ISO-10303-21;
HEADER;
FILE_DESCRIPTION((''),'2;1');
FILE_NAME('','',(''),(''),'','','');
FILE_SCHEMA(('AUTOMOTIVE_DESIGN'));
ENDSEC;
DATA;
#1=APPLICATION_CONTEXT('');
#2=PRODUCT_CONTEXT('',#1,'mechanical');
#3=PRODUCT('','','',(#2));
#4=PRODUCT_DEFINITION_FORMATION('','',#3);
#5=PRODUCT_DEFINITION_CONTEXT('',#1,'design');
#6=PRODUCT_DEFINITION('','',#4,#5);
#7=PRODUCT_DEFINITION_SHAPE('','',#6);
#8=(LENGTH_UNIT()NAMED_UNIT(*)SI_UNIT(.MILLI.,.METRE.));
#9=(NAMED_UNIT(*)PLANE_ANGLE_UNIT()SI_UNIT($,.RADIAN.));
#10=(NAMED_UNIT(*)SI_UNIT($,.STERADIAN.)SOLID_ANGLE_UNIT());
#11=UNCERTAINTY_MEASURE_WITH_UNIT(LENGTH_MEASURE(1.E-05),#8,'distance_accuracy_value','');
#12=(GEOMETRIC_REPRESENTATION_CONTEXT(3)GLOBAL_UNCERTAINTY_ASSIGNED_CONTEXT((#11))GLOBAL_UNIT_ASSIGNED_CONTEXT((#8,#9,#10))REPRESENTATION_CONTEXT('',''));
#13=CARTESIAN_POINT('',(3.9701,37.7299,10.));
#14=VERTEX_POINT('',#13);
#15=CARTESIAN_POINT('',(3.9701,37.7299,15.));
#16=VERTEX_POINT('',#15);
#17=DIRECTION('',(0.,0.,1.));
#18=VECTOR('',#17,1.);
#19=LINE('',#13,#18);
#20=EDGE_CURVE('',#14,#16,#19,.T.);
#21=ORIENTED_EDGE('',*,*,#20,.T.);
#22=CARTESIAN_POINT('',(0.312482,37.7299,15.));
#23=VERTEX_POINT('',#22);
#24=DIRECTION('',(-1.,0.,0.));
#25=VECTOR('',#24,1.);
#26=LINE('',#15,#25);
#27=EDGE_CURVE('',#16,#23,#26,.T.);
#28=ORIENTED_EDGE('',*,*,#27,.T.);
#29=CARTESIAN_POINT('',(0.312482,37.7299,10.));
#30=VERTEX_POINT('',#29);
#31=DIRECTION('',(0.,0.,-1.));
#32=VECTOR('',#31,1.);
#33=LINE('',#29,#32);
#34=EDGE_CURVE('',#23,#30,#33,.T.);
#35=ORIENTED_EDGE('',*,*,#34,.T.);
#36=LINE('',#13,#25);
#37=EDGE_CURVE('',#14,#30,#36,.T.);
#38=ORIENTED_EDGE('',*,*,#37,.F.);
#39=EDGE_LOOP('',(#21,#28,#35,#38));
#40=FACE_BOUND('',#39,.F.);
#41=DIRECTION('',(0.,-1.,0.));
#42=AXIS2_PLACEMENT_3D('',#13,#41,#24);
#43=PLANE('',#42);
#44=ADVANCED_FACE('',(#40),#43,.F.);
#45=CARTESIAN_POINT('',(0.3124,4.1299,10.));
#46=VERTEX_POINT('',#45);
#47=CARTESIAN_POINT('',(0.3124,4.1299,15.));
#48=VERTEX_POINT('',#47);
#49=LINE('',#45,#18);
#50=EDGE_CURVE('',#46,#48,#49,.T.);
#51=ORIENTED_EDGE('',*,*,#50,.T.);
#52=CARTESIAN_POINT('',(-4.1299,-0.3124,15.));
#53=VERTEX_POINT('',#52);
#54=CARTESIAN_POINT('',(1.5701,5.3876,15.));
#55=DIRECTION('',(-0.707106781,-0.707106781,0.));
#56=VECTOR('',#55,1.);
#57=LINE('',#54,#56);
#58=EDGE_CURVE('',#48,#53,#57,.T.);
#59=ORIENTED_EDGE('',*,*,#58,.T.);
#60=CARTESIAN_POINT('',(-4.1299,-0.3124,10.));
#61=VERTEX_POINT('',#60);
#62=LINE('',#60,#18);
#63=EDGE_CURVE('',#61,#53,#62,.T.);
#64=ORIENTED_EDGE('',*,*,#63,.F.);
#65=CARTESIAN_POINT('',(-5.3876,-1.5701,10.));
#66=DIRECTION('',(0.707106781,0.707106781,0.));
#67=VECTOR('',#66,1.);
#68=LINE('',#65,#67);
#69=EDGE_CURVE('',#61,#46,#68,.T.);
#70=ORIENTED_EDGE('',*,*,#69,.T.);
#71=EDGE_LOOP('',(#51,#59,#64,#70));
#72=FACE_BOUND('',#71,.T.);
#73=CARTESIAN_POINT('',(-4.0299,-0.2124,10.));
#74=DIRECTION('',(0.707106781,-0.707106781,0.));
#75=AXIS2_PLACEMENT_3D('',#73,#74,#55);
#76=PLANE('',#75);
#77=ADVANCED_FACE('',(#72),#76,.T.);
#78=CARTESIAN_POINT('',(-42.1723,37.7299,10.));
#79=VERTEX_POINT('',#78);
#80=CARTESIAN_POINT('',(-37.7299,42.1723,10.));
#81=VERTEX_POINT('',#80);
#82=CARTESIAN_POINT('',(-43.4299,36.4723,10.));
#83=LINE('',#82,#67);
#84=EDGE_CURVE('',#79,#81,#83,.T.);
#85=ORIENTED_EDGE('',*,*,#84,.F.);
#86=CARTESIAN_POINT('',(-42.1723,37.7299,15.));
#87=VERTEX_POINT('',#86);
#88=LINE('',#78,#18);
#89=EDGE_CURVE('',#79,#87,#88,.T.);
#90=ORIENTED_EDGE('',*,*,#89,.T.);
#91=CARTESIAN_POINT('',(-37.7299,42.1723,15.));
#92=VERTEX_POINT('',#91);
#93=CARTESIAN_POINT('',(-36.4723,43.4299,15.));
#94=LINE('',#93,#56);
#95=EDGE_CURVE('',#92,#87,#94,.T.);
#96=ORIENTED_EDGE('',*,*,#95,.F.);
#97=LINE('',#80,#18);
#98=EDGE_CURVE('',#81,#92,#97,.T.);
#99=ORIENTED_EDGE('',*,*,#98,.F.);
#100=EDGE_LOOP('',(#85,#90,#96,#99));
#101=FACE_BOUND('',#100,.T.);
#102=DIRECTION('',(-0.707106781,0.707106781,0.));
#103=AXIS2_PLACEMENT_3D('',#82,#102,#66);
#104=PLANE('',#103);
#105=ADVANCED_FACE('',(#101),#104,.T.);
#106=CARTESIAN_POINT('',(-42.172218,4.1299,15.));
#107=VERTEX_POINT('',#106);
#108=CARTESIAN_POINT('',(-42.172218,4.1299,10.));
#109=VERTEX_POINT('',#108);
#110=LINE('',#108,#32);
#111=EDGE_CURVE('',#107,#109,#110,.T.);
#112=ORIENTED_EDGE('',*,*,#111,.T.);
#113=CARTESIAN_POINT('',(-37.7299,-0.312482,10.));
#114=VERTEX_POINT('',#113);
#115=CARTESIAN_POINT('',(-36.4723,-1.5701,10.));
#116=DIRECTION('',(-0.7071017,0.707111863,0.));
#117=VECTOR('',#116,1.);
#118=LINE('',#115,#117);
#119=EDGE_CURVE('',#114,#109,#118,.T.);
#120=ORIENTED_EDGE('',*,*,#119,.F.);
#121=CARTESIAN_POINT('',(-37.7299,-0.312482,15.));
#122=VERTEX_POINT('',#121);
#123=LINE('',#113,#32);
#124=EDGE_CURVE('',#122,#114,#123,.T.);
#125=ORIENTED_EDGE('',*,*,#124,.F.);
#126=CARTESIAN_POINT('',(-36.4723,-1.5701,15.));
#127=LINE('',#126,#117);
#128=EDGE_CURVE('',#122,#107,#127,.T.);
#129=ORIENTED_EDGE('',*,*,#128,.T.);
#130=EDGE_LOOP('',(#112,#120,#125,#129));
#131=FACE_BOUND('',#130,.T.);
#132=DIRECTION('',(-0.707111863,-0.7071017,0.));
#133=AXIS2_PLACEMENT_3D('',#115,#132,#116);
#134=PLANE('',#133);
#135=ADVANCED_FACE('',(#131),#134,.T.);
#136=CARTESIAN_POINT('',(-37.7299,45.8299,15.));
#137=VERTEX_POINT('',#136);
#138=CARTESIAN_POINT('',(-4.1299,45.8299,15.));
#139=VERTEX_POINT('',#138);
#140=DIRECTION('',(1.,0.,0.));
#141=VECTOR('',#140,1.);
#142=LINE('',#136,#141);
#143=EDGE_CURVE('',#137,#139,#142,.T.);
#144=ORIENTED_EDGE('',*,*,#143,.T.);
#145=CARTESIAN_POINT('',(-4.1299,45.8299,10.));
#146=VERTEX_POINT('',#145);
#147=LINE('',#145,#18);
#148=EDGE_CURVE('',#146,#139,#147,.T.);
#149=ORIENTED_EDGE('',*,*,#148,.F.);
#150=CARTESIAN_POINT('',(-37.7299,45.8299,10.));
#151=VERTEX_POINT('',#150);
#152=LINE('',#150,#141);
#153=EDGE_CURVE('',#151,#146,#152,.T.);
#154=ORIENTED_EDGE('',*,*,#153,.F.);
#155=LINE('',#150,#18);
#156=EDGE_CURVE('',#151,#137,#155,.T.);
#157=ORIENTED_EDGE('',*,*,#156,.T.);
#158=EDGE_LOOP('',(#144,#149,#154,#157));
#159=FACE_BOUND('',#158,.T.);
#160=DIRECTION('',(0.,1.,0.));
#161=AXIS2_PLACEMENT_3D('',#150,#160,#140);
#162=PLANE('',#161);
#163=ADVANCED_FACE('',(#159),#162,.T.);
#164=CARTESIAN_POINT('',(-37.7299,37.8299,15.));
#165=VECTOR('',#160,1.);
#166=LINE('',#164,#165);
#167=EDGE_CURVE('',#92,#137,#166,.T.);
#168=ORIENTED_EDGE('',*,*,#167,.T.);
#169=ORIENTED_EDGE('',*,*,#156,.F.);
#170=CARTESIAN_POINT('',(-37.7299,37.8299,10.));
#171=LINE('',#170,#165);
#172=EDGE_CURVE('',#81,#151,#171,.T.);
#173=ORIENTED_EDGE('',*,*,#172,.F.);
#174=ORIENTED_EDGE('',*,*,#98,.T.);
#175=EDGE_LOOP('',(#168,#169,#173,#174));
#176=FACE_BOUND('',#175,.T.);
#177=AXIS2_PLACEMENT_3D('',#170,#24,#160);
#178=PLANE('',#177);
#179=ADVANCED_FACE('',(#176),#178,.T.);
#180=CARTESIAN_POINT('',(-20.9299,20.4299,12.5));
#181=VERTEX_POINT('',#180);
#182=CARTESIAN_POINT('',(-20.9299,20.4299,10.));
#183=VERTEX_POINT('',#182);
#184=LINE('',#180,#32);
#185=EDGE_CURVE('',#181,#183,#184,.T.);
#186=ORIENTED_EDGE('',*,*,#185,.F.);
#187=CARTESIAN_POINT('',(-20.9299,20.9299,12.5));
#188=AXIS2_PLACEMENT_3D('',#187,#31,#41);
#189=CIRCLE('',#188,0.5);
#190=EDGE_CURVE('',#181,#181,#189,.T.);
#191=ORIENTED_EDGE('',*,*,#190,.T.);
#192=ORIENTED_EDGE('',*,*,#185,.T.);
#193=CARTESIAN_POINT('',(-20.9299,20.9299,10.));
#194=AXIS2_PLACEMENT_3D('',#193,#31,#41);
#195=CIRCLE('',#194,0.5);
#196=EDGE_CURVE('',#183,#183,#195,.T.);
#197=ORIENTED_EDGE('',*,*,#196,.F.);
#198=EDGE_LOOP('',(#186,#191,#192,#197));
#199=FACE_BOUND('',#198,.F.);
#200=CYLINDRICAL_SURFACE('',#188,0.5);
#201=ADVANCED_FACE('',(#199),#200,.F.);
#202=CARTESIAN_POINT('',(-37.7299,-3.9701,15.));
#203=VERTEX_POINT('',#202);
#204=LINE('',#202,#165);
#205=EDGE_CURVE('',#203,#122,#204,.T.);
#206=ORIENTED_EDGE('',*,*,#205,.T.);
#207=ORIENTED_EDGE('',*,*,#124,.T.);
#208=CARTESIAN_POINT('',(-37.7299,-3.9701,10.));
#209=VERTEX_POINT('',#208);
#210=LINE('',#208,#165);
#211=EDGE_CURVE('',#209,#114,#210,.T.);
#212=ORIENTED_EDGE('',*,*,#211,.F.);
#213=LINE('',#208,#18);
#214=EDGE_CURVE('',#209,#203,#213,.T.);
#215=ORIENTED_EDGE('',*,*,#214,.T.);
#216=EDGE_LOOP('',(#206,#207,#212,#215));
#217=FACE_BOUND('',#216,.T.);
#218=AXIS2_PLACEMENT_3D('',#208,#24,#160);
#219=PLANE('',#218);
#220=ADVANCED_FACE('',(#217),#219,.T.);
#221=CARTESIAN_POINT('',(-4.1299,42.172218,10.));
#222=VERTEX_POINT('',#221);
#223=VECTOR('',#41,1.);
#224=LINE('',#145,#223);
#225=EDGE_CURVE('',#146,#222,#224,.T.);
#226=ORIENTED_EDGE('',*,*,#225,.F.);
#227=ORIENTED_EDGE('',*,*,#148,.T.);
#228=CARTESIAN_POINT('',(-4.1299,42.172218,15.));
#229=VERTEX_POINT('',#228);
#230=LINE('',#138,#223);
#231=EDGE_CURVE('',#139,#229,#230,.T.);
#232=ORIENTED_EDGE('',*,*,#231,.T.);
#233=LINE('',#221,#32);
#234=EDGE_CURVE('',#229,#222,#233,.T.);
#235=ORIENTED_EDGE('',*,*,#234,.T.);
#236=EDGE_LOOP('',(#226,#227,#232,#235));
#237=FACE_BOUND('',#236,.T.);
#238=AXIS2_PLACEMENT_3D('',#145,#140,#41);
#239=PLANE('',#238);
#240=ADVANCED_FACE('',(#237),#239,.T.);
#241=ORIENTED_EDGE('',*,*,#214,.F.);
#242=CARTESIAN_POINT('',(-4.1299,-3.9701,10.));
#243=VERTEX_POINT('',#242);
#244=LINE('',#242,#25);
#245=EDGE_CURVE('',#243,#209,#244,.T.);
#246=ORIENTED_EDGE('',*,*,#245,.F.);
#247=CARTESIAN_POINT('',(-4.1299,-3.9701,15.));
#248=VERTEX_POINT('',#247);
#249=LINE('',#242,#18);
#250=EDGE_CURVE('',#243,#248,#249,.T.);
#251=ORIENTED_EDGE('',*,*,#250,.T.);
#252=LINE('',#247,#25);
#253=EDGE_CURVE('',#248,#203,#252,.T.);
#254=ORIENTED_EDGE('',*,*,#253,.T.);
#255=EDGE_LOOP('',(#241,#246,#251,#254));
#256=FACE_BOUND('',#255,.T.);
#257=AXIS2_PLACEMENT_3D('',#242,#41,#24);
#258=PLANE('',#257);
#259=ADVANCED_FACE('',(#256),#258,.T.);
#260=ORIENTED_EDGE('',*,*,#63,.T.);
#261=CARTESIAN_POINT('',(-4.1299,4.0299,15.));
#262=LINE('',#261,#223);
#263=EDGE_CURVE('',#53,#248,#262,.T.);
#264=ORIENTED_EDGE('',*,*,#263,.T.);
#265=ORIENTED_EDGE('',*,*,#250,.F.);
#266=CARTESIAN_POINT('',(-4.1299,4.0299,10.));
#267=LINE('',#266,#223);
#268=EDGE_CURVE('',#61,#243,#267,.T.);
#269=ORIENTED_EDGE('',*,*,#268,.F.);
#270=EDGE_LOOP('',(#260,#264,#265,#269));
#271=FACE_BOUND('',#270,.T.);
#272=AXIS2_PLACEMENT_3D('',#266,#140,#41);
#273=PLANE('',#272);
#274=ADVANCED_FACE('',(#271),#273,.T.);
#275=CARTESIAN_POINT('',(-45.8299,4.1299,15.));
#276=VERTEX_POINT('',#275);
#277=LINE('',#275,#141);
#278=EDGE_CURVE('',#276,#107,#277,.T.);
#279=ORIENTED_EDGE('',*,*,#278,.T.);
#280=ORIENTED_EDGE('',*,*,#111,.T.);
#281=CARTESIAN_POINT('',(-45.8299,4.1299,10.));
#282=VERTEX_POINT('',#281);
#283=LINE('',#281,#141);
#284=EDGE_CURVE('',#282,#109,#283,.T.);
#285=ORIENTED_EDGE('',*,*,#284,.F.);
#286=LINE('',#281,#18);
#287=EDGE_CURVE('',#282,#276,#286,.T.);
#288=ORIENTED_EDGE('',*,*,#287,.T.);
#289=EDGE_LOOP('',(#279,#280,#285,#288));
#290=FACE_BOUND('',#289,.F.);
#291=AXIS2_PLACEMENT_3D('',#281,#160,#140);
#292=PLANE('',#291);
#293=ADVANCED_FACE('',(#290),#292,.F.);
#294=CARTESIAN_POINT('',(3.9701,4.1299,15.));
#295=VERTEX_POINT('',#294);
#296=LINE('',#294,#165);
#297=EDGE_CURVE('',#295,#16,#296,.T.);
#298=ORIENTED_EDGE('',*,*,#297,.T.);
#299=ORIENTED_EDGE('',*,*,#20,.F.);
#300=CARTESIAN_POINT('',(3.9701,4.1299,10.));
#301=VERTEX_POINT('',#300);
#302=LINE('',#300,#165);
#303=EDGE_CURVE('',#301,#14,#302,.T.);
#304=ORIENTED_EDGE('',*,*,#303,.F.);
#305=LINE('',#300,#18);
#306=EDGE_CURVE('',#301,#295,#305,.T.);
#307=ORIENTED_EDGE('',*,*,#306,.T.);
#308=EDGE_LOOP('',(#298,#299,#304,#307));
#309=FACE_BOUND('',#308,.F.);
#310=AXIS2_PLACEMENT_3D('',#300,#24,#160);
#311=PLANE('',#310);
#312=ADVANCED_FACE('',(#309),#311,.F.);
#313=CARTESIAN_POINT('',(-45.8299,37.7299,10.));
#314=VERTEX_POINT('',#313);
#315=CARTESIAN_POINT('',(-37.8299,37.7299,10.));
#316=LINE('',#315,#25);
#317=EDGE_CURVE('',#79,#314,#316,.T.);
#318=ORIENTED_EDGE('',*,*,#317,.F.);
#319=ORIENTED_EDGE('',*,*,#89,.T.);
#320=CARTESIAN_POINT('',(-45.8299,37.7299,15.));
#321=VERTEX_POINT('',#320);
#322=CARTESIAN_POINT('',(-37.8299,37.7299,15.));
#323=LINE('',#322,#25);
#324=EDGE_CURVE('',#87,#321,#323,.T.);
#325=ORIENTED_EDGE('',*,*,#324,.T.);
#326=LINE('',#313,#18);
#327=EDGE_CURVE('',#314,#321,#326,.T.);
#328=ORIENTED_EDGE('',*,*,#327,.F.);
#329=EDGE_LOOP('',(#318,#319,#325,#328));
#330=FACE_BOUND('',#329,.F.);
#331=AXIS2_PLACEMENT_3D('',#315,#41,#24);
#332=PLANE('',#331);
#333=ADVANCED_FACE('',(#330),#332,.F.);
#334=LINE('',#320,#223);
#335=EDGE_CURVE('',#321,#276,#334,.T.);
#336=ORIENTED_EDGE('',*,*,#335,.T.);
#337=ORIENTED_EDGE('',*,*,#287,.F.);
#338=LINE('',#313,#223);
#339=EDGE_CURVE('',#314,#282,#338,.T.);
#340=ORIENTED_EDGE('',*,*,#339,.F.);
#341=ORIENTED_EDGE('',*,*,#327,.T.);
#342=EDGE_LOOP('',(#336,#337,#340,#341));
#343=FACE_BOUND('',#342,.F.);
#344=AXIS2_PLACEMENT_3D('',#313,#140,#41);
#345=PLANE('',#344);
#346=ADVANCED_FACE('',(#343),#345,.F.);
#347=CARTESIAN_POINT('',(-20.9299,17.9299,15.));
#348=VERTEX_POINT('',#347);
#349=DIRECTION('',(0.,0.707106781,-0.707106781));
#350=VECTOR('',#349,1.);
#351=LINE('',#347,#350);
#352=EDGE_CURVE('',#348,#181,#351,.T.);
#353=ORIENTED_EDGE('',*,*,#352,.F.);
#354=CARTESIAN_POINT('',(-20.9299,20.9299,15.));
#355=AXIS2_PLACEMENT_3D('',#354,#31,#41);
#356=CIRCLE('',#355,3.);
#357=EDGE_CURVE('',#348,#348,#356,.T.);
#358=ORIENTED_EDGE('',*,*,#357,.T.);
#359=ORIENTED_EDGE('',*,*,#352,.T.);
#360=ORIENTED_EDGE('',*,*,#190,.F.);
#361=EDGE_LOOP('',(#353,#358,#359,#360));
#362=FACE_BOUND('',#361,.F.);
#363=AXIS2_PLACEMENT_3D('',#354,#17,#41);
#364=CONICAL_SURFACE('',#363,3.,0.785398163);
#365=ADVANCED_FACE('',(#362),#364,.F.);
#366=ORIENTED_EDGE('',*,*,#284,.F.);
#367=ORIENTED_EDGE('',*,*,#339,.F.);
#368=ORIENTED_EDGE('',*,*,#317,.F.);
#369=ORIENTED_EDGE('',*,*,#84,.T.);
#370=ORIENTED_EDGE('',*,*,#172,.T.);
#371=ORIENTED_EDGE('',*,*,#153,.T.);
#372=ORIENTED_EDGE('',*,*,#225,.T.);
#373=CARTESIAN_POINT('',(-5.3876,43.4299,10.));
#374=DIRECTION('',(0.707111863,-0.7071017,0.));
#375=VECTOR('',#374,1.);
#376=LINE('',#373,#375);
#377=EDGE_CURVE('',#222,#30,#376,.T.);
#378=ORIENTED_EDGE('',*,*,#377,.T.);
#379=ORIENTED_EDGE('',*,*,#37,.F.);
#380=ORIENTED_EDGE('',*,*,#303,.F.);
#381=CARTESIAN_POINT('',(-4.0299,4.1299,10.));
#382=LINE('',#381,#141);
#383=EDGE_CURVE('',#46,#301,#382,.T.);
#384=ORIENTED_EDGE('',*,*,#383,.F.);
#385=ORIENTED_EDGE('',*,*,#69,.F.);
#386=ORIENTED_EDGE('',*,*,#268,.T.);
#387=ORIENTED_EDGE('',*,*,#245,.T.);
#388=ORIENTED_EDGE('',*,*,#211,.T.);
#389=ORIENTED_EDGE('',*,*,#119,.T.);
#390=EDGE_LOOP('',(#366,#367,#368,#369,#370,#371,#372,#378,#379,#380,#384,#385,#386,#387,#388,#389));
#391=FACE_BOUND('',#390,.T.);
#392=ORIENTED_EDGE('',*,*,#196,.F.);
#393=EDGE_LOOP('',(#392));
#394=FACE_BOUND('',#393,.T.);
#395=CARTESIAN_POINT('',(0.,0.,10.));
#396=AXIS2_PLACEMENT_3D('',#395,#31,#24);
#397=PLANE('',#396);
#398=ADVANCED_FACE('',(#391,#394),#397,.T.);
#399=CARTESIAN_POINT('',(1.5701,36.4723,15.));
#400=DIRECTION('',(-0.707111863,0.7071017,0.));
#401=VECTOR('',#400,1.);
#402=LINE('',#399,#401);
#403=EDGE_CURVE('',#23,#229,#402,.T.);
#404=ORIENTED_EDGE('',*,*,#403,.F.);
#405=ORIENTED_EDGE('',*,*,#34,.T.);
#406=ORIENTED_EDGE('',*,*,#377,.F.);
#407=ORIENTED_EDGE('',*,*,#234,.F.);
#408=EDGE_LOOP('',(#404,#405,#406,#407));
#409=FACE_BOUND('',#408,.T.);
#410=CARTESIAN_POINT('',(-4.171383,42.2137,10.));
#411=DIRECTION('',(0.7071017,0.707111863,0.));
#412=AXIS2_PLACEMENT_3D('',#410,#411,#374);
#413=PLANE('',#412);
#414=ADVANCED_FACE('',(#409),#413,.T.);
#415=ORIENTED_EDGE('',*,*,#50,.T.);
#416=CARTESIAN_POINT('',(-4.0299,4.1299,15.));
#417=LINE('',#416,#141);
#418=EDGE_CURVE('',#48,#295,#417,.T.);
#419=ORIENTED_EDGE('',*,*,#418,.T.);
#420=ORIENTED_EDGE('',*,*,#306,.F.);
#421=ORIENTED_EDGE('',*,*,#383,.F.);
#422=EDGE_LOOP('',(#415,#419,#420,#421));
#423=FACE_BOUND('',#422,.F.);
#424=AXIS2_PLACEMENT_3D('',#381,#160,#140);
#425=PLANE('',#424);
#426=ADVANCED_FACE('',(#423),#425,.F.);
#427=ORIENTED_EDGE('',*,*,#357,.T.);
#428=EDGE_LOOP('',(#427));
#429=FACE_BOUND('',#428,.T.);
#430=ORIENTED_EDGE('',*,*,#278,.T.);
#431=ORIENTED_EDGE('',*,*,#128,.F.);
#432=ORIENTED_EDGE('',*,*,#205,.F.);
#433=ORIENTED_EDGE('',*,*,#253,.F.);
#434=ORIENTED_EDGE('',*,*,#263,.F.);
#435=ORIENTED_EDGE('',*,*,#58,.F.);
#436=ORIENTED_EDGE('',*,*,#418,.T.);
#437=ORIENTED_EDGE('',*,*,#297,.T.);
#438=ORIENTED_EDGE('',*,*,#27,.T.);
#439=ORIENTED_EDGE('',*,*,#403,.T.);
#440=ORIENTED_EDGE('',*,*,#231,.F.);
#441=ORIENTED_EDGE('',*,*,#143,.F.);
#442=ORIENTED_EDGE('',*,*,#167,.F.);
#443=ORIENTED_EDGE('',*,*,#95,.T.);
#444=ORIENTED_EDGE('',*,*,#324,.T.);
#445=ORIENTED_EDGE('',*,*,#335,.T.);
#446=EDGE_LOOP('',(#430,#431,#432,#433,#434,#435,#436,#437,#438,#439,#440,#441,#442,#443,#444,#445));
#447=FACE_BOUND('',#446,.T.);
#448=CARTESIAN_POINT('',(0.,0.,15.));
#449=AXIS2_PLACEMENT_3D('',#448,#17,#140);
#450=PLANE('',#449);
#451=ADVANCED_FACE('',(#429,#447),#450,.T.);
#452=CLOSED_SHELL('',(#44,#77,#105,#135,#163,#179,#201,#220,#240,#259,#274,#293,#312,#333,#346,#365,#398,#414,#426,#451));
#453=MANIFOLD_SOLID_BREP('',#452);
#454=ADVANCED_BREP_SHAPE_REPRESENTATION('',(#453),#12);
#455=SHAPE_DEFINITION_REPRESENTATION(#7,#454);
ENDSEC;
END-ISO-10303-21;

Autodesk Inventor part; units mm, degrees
ref_plane "YZ Plane" through (0, 0, 0) normal (1, 0, 0) x (0, 1, 0)
ref_plane "Work Plane1" through (0, 0, 10) normal (0, 0, 1) x (1, 0, 0)
sketch "Sketch1" plane through (0, 0, 10) normal (0, 0, 1) x (1, 0, 0)
  line L0 (-4.0299, -0.3538) -> (-2.2322, 1.4439) construction
  arc A0 (-1.4439, 2.2322) -> (-2.2322, 1.4439) centre (-0.9299, 0.9299) ccw construction
  line L1 (-1.4439, 2.2322) -> (0.3538, 4.0299) construction
  line L2 (-37.8299, 42.2137) -> (-37.8299, 45.8299) construction
  line L3 (-37.8299, 45.8299) -> (-4.0299, 45.8299) construction
  line L4 (-4.0299, 45.8299) -> (-4.0299, 42.2137) construction
  line L5 (-4.0299, 4.0299) -> (0.3538, 4.0299) projected
  line L6 (-20.9299, 58.9723) -> (17.1124, 20.9299) construction
  line L7 (17.1124, 20.9299) -> (-20.9299, -17.1124) construction
  line L8 (-20.9299, -17.1124) -> (-58.9723, 20.9299) construction
  line L9 (-58.9723, 20.9299) -> (-20.9299, 58.9723) construction
  line L10 (-20.9299, 58.9723) -> (-20.9299, -17.1124) construction
  line L11 (17.1124, 20.9299) -> (-58.9723, 20.9299) construction
  line L12 (-20.9299, 58.9723) -> (32.8701, 58.9723) construction
  line L13 (-43.4299, 43.4299) -> (1.5701, 43.4299) construction
  line L14 (1.5701, 43.4299) -> (1.5701, -1.5701) construction
  line L15 (1.5701, -1.5701) -> (-43.4299, -1.5701) construction
  line L16 (-43.4299, -1.5701) -> (-43.4299, 43.4299) construction
  line L17 (-43.4299, 43.4299) -> (1.5701, -1.5701) construction
  line L18 (1.5701, 43.4299) -> (-43.4299, -1.5701) construction
  line L19 (-43.4299, 5.3876) -> (-43.4299, 36.4723)
  line L20 (-43.4299, 36.4723) -> (-36.4723, 43.4299)
  line L21 (-36.4723, 43.4299) -> (-5.3876, 43.4299)
  line L22 (-5.3876, 43.4299) -> (1.5701, 36.4723)
  line L23 (1.5701, 36.4723) -> (1.5701, 5.3876)
  line L24 (1.5701, 5.3876) -> (-5.3876, -1.5701)
  line L25 (-5.3876, -1.5701) -> (-36.4723, -1.5701)
  line L26 (-36.4723, -1.5701) -> (-43.4299, 5.3876)
  line L27 (-4.0299, 42.2137) -> (-37.8299, 42.2137) projected
  line L28 (-4.0299, -0.3538) -> (-4.0299, 4.0299) projected
  circle A1 centre (-20.9299, 20.9299) radius 11.75
  point P0 (-37.8299, 4.0299)
  dimension "d18" = 53.8
  dimension "d19" = 45
  dimension "d20" = 53.8
  dimension "d21" = 45
  dimension "d22" = 45
  dimension "d30" = 23.5
extrude "Extrusion1" add sketch "Sketch1" along normal blind 5 contours L28 L24 L25 L26 L19 L20 L27 L22 L23 L5 | L5 L24 L28 | L27 L20 L21 L22 | A1
ref_plane "Work Plane2" through (-40.9959, 0.8639, 22.2359) normal (0, 0, 1) x (1, 0, 0)
sketch "Sketch3" plane through (0, 0, 10) normal (0, 0, -1) x (-1, 0, 0)
  line L0 (37.8299, -0.4701) -> (37.8299, 4.0299) construction
  line L1 (4.0299, 4.0299) -> (4.0299, -0.4701) construction
  line L2 (37.8299, -0.4701) -> (37.8299, 1.1886) construction
  line L3 (4.0299, -3.9701) -> (4.0299, -0.3538) construction
  line L4 (45.8299, 4.0299) -> (42.2137, 4.0299) construction
  line L5 (-0.3538, 4.0299) -> (-3.9701, 4.0299) construction
  line L6 (-3.9701, 37.8299) -> (-0.3538, 37.8299) construction
  line L7 (4.0299, 42.2137) -> (4.0299, 45.8299) construction
  line L8 (37.8299, 45.8299) -> (37.8299, 42.2137) construction
  line L9 (42.2137, 37.8299) -> (45.8299, 37.8299) construction
  line L10 (37.8299, 37.7299) -> (45.8299, 37.7299)
  line L11 (45.8299, 37.7299) -> (45.8299, 4.1299)
  line L12 (45.8299, 4.1299) -> (37.8299, 4.1299)
  line L13 (37.8299, 4.1299) -> (37.8299, 37.7299)
  line L14 (37.7299, 4.0299) -> (4.1299, 4.0299)
  line L15 (4.1299, 4.0299) -> (4.1299, -3.9701)
  line L16 (4.1299, -3.9701) -> (37.7299, -3.9701)
  line L17 (37.7299, -3.9701) -> (37.7299, 4.0299)
  line L18 (4.0299, 4.1299) -> (-3.9701, 4.1299)
  line L19 (-3.9701, 4.1299) -> (-3.9701, 37.7299)
  line L20 (-3.9701, 37.7299) -> (4.0299, 37.7299)
  line L21 (4.0299, 37.7299) -> (4.0299, 4.1299)
  line L22 (4.1299, 37.8299) -> (37.7299, 37.8299)
  line L23 (37.7299, 37.8299) -> (37.7299, 45.8299)
  line L24 (37.7299, 45.8299) -> (4.1299, 45.8299)
  line L25 (4.1299, 45.8299) -> (4.1299, 37.8299)
  point P0 (0, 0)
  dimension "d23" = 0.1
  dimension "d24" = 0.1
  dimension "d25" = 0.1
  dimension "d26" = 0.1
  dimension "d27" = 0.1
extrude "Extrusion3" add sketch "Sketch3" against normal up to surface (5 mm away)
sketch "Sketch6" plane through (0, 0, 15) normal (0, 0, 1) x (1, 0, 0)
  line L0 (-37.7299, 45.8299) -> (-4.1299, 45.8299) projected
  line L1 (3.9701, 37.7299) -> (3.9701, 4.1299) projected
  point P0 (0, 0)
  point P1 (-20.9299, 20.9299)
  point P2 (-20.9299, 45.8299)
  point P3 (3.9701, 20.9299)
hole "Hole1" at (-20.9299, 20.9299, 15) direction (0, 0, -1) diameter 1 depth 8 countersink diameter 6 countersink angle 90
properties part number "20_Cube_Insert_Pinhole_conic hole"
